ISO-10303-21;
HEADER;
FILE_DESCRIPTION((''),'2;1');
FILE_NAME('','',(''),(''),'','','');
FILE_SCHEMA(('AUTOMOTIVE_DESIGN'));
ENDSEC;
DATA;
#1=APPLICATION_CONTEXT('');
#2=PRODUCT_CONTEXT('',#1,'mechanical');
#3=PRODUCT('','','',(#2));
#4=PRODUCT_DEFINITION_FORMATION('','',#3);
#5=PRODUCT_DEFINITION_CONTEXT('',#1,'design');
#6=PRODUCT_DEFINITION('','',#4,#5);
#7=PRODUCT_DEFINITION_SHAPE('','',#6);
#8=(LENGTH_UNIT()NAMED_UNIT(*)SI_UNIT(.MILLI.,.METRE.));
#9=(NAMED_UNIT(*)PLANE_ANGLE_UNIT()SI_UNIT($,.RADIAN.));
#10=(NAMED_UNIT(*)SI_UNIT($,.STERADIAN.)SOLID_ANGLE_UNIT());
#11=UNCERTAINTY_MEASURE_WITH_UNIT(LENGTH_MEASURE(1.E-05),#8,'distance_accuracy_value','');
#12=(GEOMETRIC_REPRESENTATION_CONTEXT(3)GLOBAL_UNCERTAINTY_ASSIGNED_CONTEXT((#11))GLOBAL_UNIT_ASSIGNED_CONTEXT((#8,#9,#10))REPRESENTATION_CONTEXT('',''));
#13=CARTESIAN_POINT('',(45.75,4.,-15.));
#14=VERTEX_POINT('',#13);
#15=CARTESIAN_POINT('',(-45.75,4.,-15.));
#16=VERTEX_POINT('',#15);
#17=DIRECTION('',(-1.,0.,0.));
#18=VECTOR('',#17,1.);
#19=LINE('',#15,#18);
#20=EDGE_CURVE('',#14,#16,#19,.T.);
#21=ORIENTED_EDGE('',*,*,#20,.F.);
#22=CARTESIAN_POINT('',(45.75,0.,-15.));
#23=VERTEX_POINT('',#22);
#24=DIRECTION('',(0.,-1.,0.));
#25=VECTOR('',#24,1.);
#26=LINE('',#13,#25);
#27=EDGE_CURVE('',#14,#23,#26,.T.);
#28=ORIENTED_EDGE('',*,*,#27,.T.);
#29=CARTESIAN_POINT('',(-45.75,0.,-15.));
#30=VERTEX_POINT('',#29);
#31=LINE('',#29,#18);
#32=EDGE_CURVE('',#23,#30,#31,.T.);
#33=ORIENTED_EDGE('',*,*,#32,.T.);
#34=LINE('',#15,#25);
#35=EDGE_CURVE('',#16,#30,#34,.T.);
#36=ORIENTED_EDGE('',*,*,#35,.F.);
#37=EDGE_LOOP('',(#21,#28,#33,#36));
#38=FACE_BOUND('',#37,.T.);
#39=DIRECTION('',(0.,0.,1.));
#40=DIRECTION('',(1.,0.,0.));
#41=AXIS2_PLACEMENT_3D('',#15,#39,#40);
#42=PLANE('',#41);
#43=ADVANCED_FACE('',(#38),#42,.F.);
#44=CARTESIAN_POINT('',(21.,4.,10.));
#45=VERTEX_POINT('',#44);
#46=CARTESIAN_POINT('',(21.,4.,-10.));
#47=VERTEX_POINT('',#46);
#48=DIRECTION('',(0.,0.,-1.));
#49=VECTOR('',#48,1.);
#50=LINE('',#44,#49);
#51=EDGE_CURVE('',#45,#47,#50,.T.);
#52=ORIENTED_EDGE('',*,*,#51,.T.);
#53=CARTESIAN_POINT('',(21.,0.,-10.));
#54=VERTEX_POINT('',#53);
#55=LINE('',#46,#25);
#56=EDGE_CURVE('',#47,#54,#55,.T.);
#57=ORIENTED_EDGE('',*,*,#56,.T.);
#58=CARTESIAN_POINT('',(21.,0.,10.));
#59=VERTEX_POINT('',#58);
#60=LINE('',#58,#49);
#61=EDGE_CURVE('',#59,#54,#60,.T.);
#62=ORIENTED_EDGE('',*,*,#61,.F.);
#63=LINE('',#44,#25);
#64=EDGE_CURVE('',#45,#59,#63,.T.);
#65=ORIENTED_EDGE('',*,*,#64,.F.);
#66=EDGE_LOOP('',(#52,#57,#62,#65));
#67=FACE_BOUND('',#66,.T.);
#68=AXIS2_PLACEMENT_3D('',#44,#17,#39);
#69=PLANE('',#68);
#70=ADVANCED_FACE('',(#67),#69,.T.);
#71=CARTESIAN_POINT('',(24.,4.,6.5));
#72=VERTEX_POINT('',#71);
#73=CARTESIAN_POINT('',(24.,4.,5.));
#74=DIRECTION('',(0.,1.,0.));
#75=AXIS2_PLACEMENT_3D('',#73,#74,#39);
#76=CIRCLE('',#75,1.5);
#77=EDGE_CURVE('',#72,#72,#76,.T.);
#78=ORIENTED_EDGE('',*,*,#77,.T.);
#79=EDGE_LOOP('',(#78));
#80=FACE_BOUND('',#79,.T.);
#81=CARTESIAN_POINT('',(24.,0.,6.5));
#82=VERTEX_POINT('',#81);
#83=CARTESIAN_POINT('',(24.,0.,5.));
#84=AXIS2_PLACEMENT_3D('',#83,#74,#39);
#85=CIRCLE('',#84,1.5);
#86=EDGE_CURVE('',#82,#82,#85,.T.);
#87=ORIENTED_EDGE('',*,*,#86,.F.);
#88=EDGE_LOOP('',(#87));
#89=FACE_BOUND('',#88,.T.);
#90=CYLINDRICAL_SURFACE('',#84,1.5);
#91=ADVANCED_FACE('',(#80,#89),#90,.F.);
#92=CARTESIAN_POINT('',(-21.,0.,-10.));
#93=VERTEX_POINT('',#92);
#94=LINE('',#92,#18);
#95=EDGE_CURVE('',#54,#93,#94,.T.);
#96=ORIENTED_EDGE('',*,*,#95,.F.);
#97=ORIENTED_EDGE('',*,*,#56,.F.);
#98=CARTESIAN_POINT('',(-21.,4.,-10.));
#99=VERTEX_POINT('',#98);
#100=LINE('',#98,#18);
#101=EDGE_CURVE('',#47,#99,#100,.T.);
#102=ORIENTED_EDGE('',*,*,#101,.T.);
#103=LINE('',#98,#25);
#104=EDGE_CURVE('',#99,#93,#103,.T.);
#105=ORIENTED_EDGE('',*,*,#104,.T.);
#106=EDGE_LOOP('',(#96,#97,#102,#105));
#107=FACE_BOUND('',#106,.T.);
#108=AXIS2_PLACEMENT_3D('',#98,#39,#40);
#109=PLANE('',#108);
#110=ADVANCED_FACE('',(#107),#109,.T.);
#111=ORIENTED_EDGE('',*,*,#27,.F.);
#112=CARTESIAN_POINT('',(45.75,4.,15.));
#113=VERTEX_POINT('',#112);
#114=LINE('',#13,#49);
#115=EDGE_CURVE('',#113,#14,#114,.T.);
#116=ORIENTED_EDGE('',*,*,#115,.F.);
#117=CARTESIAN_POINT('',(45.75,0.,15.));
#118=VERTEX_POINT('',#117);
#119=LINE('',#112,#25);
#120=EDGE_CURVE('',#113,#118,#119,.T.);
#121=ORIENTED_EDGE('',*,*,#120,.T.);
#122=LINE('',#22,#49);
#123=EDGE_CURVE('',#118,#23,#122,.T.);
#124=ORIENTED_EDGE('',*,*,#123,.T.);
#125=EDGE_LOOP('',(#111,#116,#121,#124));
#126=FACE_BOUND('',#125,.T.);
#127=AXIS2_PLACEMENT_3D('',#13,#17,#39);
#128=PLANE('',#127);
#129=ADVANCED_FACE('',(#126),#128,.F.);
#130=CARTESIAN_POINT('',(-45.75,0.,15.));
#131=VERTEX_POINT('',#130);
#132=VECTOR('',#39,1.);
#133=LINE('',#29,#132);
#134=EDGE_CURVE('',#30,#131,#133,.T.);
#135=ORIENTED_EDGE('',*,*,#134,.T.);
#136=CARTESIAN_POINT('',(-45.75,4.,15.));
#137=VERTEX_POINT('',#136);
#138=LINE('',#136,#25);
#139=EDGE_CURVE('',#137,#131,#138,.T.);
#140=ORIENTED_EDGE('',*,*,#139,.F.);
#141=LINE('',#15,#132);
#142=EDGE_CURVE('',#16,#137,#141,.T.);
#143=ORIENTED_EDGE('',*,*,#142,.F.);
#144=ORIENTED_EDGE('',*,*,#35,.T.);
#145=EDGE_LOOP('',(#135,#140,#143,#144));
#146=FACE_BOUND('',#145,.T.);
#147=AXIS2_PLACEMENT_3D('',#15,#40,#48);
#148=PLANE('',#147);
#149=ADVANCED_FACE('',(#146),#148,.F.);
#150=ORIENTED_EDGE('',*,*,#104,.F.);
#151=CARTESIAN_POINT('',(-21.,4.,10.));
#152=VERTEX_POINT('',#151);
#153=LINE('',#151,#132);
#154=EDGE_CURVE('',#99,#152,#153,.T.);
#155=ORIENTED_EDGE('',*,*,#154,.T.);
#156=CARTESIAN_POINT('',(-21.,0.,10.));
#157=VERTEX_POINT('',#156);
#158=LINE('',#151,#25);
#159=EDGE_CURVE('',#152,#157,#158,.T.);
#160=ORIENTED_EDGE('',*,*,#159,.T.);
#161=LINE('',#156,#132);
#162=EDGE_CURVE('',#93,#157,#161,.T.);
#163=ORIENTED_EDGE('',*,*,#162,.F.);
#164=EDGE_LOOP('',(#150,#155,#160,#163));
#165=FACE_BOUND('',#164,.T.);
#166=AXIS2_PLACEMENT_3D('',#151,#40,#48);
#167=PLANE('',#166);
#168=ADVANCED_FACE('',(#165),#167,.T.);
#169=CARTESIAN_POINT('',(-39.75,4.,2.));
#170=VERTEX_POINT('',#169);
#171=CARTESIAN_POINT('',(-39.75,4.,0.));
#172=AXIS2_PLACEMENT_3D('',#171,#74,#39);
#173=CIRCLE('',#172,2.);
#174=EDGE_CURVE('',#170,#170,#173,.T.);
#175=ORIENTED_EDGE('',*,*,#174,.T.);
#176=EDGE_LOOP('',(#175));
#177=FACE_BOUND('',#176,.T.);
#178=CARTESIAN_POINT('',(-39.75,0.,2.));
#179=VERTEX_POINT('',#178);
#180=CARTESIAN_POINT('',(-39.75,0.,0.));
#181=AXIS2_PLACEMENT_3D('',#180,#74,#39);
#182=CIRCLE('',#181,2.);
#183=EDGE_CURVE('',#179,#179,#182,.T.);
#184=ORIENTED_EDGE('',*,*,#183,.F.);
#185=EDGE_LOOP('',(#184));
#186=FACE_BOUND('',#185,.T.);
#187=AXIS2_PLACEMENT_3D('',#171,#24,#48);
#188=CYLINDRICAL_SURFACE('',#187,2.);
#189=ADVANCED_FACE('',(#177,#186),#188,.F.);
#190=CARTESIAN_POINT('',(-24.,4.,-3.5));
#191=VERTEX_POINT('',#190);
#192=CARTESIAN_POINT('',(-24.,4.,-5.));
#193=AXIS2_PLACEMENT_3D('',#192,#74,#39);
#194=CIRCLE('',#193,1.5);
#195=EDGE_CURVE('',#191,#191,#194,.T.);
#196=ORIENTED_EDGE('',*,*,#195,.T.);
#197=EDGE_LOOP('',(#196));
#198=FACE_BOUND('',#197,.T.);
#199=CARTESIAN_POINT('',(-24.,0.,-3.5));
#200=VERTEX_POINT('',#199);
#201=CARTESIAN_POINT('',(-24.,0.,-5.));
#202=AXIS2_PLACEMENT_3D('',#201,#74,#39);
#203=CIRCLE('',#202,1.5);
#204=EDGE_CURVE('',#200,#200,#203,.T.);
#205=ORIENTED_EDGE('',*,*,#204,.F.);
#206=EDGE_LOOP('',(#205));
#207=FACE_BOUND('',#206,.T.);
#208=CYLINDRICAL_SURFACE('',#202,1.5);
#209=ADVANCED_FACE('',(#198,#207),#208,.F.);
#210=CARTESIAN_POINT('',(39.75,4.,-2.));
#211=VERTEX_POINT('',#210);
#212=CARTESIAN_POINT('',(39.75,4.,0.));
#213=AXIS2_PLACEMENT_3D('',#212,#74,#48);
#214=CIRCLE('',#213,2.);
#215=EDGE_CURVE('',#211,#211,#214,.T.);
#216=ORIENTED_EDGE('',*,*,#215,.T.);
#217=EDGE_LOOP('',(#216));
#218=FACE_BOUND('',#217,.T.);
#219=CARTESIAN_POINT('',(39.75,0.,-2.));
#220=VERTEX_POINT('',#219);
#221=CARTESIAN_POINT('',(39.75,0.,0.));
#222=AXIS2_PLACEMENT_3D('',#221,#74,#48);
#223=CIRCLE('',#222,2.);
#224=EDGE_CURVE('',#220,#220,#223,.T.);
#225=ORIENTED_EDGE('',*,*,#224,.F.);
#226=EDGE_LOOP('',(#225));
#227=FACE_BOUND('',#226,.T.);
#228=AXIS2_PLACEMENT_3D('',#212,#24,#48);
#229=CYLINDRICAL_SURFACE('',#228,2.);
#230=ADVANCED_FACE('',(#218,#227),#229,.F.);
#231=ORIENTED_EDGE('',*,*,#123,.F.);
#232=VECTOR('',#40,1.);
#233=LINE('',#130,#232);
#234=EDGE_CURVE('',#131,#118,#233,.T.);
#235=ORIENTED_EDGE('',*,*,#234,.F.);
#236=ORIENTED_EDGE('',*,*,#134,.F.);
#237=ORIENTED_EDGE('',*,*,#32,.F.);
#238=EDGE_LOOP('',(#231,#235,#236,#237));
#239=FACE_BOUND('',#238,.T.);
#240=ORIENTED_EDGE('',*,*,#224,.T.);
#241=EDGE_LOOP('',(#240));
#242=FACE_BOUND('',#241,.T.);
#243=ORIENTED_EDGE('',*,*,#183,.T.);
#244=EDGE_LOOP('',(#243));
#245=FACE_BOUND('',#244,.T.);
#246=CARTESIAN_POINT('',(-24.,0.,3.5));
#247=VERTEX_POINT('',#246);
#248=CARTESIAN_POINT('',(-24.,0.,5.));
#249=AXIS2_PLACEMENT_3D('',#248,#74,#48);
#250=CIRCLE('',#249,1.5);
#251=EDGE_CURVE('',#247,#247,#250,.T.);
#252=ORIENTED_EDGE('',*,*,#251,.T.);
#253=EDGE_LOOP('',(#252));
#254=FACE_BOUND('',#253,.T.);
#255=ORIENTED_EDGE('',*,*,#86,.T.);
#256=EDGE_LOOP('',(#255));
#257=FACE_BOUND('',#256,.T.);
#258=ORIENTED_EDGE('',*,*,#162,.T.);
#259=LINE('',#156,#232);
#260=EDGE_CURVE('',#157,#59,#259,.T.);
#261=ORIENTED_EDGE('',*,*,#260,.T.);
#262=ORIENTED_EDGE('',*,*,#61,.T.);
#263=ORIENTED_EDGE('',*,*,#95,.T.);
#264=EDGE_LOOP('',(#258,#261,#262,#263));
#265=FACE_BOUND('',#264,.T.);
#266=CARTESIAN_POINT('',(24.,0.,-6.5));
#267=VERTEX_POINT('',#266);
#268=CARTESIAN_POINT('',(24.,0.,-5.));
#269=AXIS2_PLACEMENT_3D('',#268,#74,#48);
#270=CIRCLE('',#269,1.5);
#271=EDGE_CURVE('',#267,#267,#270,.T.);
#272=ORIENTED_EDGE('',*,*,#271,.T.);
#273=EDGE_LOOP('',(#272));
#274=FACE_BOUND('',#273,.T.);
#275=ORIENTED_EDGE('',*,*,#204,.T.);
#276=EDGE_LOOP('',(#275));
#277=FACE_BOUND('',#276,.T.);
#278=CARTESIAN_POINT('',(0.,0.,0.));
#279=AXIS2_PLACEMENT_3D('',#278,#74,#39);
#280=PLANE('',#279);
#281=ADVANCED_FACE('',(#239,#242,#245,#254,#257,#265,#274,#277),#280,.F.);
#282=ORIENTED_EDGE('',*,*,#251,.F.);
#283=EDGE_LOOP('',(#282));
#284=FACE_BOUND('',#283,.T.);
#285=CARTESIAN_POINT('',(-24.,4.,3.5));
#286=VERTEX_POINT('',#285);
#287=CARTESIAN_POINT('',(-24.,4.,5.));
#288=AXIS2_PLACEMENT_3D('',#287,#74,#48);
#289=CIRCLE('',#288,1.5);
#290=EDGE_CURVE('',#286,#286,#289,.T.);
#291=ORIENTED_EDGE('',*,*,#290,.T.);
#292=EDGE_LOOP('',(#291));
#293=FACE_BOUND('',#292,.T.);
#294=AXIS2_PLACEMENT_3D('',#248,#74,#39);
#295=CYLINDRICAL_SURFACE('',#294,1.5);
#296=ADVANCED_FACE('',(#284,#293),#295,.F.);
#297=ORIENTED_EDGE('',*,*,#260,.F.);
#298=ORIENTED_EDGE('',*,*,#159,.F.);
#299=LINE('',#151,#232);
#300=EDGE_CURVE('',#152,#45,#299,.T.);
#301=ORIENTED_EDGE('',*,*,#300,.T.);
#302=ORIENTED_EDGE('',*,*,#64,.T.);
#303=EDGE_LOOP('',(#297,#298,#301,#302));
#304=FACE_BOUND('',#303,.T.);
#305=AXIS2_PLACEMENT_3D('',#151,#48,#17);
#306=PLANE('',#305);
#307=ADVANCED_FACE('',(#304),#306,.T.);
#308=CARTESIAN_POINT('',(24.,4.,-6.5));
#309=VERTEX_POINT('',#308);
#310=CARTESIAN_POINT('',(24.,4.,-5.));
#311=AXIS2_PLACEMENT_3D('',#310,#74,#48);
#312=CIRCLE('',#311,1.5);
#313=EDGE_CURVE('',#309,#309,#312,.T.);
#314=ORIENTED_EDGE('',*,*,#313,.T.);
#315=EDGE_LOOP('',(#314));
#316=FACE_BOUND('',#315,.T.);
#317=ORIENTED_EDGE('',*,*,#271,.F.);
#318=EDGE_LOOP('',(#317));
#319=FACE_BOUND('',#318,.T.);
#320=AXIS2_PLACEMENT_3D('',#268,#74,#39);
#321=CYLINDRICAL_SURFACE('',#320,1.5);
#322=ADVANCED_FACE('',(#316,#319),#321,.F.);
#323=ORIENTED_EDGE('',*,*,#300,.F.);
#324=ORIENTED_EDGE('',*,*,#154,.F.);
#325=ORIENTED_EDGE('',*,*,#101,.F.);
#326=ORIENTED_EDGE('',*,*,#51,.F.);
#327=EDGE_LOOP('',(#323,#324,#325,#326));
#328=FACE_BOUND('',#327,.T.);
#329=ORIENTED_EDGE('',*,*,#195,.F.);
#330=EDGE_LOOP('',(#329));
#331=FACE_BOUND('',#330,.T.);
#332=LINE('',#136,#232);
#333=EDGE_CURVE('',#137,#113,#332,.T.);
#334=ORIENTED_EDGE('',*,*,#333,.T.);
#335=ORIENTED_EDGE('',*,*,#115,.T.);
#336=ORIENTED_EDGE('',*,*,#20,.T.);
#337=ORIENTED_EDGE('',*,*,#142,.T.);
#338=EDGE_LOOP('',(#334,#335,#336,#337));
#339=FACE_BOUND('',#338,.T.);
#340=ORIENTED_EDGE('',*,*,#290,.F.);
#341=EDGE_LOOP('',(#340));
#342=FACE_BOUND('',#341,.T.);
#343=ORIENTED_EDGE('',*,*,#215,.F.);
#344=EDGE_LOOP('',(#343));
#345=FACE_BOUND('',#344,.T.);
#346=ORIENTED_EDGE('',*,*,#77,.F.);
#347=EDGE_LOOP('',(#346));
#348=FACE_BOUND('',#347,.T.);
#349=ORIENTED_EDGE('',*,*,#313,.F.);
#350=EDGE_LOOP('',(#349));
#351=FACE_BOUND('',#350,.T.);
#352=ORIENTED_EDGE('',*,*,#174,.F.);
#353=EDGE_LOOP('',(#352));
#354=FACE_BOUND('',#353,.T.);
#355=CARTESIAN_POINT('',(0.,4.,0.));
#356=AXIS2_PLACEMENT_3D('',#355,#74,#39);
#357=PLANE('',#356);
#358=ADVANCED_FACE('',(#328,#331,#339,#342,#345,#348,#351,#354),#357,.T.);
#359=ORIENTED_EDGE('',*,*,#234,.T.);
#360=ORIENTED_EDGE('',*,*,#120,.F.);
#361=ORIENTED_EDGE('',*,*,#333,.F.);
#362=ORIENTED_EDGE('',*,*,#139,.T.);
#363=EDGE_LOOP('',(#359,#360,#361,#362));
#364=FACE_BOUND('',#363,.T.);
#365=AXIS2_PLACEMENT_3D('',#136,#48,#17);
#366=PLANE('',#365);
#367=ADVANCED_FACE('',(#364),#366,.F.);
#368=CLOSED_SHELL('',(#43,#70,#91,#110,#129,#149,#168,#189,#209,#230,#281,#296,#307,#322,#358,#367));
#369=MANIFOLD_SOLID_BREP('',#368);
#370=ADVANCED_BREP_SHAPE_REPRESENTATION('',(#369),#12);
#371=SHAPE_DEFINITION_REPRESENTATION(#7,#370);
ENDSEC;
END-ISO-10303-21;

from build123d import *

# Parameters (mm, degrees)
SKETCH1_W           = 91.5
SKETCH1_H           = 30
SKETCH1_R           = 2
SKETCH1_W_2         = 42
SKETCH1_H_2         = 20
BOSS_EXTRUDE1_DEPTH = 4
SKETCH2_R           = 1.5
CUT_EXTRUDE1_DEPTH  = 49.312136156


with BuildPart() as part:
    # Sketch1 → Boss-Extrude1 (new body)
    with BuildSketch(Plane(origin=(0, 0, 0), x_dir=(1, 0, 0), z_dir=(0, 1, 0))):
        Rectangle(SKETCH1_W, SKETCH1_H)
        with Locations(Location((-39.75, 0, 0), (0, 0, 270))):
            Circle(SKETCH1_R, mode=Mode.SUBTRACT)
        with Locations(Location((39.75, 0, 0), (0, 0, 90))):
            Circle(SKETCH1_R, mode=Mode.SUBTRACT)
        Rectangle(SKETCH1_W_2, SKETCH1_H_2, mode=Mode.SUBTRACT)
    extrude(amount=BOSS_EXTRUDE1_DEPTH)

    # Sketch2 → Cut-Extrude1 (cut, through all)
    with BuildSketch(Plane(origin=(0, 4, 0), x_dir=(1, 0, 0), z_dir=(0, 1, 0))):
        with Locations(Location((-24, 5, 0), (0, 0, 270))):
            Circle(SKETCH2_R)
        with Locations(Location((-24, -5, 0), (0, 0, 90))):
            Circle(SKETCH2_R)
        with Locations(Location((24, -5, 0), (0, 0, 270))):
            Circle(SKETCH2_R)
        with Locations(Location((24, 5, 0), (0, 0, 90))):
            Circle(SKETCH2_R)
    extrude(amount=-CUT_EXTRUDE1_DEPTH, mode=Mode.SUBTRACT)


solid = part.part
